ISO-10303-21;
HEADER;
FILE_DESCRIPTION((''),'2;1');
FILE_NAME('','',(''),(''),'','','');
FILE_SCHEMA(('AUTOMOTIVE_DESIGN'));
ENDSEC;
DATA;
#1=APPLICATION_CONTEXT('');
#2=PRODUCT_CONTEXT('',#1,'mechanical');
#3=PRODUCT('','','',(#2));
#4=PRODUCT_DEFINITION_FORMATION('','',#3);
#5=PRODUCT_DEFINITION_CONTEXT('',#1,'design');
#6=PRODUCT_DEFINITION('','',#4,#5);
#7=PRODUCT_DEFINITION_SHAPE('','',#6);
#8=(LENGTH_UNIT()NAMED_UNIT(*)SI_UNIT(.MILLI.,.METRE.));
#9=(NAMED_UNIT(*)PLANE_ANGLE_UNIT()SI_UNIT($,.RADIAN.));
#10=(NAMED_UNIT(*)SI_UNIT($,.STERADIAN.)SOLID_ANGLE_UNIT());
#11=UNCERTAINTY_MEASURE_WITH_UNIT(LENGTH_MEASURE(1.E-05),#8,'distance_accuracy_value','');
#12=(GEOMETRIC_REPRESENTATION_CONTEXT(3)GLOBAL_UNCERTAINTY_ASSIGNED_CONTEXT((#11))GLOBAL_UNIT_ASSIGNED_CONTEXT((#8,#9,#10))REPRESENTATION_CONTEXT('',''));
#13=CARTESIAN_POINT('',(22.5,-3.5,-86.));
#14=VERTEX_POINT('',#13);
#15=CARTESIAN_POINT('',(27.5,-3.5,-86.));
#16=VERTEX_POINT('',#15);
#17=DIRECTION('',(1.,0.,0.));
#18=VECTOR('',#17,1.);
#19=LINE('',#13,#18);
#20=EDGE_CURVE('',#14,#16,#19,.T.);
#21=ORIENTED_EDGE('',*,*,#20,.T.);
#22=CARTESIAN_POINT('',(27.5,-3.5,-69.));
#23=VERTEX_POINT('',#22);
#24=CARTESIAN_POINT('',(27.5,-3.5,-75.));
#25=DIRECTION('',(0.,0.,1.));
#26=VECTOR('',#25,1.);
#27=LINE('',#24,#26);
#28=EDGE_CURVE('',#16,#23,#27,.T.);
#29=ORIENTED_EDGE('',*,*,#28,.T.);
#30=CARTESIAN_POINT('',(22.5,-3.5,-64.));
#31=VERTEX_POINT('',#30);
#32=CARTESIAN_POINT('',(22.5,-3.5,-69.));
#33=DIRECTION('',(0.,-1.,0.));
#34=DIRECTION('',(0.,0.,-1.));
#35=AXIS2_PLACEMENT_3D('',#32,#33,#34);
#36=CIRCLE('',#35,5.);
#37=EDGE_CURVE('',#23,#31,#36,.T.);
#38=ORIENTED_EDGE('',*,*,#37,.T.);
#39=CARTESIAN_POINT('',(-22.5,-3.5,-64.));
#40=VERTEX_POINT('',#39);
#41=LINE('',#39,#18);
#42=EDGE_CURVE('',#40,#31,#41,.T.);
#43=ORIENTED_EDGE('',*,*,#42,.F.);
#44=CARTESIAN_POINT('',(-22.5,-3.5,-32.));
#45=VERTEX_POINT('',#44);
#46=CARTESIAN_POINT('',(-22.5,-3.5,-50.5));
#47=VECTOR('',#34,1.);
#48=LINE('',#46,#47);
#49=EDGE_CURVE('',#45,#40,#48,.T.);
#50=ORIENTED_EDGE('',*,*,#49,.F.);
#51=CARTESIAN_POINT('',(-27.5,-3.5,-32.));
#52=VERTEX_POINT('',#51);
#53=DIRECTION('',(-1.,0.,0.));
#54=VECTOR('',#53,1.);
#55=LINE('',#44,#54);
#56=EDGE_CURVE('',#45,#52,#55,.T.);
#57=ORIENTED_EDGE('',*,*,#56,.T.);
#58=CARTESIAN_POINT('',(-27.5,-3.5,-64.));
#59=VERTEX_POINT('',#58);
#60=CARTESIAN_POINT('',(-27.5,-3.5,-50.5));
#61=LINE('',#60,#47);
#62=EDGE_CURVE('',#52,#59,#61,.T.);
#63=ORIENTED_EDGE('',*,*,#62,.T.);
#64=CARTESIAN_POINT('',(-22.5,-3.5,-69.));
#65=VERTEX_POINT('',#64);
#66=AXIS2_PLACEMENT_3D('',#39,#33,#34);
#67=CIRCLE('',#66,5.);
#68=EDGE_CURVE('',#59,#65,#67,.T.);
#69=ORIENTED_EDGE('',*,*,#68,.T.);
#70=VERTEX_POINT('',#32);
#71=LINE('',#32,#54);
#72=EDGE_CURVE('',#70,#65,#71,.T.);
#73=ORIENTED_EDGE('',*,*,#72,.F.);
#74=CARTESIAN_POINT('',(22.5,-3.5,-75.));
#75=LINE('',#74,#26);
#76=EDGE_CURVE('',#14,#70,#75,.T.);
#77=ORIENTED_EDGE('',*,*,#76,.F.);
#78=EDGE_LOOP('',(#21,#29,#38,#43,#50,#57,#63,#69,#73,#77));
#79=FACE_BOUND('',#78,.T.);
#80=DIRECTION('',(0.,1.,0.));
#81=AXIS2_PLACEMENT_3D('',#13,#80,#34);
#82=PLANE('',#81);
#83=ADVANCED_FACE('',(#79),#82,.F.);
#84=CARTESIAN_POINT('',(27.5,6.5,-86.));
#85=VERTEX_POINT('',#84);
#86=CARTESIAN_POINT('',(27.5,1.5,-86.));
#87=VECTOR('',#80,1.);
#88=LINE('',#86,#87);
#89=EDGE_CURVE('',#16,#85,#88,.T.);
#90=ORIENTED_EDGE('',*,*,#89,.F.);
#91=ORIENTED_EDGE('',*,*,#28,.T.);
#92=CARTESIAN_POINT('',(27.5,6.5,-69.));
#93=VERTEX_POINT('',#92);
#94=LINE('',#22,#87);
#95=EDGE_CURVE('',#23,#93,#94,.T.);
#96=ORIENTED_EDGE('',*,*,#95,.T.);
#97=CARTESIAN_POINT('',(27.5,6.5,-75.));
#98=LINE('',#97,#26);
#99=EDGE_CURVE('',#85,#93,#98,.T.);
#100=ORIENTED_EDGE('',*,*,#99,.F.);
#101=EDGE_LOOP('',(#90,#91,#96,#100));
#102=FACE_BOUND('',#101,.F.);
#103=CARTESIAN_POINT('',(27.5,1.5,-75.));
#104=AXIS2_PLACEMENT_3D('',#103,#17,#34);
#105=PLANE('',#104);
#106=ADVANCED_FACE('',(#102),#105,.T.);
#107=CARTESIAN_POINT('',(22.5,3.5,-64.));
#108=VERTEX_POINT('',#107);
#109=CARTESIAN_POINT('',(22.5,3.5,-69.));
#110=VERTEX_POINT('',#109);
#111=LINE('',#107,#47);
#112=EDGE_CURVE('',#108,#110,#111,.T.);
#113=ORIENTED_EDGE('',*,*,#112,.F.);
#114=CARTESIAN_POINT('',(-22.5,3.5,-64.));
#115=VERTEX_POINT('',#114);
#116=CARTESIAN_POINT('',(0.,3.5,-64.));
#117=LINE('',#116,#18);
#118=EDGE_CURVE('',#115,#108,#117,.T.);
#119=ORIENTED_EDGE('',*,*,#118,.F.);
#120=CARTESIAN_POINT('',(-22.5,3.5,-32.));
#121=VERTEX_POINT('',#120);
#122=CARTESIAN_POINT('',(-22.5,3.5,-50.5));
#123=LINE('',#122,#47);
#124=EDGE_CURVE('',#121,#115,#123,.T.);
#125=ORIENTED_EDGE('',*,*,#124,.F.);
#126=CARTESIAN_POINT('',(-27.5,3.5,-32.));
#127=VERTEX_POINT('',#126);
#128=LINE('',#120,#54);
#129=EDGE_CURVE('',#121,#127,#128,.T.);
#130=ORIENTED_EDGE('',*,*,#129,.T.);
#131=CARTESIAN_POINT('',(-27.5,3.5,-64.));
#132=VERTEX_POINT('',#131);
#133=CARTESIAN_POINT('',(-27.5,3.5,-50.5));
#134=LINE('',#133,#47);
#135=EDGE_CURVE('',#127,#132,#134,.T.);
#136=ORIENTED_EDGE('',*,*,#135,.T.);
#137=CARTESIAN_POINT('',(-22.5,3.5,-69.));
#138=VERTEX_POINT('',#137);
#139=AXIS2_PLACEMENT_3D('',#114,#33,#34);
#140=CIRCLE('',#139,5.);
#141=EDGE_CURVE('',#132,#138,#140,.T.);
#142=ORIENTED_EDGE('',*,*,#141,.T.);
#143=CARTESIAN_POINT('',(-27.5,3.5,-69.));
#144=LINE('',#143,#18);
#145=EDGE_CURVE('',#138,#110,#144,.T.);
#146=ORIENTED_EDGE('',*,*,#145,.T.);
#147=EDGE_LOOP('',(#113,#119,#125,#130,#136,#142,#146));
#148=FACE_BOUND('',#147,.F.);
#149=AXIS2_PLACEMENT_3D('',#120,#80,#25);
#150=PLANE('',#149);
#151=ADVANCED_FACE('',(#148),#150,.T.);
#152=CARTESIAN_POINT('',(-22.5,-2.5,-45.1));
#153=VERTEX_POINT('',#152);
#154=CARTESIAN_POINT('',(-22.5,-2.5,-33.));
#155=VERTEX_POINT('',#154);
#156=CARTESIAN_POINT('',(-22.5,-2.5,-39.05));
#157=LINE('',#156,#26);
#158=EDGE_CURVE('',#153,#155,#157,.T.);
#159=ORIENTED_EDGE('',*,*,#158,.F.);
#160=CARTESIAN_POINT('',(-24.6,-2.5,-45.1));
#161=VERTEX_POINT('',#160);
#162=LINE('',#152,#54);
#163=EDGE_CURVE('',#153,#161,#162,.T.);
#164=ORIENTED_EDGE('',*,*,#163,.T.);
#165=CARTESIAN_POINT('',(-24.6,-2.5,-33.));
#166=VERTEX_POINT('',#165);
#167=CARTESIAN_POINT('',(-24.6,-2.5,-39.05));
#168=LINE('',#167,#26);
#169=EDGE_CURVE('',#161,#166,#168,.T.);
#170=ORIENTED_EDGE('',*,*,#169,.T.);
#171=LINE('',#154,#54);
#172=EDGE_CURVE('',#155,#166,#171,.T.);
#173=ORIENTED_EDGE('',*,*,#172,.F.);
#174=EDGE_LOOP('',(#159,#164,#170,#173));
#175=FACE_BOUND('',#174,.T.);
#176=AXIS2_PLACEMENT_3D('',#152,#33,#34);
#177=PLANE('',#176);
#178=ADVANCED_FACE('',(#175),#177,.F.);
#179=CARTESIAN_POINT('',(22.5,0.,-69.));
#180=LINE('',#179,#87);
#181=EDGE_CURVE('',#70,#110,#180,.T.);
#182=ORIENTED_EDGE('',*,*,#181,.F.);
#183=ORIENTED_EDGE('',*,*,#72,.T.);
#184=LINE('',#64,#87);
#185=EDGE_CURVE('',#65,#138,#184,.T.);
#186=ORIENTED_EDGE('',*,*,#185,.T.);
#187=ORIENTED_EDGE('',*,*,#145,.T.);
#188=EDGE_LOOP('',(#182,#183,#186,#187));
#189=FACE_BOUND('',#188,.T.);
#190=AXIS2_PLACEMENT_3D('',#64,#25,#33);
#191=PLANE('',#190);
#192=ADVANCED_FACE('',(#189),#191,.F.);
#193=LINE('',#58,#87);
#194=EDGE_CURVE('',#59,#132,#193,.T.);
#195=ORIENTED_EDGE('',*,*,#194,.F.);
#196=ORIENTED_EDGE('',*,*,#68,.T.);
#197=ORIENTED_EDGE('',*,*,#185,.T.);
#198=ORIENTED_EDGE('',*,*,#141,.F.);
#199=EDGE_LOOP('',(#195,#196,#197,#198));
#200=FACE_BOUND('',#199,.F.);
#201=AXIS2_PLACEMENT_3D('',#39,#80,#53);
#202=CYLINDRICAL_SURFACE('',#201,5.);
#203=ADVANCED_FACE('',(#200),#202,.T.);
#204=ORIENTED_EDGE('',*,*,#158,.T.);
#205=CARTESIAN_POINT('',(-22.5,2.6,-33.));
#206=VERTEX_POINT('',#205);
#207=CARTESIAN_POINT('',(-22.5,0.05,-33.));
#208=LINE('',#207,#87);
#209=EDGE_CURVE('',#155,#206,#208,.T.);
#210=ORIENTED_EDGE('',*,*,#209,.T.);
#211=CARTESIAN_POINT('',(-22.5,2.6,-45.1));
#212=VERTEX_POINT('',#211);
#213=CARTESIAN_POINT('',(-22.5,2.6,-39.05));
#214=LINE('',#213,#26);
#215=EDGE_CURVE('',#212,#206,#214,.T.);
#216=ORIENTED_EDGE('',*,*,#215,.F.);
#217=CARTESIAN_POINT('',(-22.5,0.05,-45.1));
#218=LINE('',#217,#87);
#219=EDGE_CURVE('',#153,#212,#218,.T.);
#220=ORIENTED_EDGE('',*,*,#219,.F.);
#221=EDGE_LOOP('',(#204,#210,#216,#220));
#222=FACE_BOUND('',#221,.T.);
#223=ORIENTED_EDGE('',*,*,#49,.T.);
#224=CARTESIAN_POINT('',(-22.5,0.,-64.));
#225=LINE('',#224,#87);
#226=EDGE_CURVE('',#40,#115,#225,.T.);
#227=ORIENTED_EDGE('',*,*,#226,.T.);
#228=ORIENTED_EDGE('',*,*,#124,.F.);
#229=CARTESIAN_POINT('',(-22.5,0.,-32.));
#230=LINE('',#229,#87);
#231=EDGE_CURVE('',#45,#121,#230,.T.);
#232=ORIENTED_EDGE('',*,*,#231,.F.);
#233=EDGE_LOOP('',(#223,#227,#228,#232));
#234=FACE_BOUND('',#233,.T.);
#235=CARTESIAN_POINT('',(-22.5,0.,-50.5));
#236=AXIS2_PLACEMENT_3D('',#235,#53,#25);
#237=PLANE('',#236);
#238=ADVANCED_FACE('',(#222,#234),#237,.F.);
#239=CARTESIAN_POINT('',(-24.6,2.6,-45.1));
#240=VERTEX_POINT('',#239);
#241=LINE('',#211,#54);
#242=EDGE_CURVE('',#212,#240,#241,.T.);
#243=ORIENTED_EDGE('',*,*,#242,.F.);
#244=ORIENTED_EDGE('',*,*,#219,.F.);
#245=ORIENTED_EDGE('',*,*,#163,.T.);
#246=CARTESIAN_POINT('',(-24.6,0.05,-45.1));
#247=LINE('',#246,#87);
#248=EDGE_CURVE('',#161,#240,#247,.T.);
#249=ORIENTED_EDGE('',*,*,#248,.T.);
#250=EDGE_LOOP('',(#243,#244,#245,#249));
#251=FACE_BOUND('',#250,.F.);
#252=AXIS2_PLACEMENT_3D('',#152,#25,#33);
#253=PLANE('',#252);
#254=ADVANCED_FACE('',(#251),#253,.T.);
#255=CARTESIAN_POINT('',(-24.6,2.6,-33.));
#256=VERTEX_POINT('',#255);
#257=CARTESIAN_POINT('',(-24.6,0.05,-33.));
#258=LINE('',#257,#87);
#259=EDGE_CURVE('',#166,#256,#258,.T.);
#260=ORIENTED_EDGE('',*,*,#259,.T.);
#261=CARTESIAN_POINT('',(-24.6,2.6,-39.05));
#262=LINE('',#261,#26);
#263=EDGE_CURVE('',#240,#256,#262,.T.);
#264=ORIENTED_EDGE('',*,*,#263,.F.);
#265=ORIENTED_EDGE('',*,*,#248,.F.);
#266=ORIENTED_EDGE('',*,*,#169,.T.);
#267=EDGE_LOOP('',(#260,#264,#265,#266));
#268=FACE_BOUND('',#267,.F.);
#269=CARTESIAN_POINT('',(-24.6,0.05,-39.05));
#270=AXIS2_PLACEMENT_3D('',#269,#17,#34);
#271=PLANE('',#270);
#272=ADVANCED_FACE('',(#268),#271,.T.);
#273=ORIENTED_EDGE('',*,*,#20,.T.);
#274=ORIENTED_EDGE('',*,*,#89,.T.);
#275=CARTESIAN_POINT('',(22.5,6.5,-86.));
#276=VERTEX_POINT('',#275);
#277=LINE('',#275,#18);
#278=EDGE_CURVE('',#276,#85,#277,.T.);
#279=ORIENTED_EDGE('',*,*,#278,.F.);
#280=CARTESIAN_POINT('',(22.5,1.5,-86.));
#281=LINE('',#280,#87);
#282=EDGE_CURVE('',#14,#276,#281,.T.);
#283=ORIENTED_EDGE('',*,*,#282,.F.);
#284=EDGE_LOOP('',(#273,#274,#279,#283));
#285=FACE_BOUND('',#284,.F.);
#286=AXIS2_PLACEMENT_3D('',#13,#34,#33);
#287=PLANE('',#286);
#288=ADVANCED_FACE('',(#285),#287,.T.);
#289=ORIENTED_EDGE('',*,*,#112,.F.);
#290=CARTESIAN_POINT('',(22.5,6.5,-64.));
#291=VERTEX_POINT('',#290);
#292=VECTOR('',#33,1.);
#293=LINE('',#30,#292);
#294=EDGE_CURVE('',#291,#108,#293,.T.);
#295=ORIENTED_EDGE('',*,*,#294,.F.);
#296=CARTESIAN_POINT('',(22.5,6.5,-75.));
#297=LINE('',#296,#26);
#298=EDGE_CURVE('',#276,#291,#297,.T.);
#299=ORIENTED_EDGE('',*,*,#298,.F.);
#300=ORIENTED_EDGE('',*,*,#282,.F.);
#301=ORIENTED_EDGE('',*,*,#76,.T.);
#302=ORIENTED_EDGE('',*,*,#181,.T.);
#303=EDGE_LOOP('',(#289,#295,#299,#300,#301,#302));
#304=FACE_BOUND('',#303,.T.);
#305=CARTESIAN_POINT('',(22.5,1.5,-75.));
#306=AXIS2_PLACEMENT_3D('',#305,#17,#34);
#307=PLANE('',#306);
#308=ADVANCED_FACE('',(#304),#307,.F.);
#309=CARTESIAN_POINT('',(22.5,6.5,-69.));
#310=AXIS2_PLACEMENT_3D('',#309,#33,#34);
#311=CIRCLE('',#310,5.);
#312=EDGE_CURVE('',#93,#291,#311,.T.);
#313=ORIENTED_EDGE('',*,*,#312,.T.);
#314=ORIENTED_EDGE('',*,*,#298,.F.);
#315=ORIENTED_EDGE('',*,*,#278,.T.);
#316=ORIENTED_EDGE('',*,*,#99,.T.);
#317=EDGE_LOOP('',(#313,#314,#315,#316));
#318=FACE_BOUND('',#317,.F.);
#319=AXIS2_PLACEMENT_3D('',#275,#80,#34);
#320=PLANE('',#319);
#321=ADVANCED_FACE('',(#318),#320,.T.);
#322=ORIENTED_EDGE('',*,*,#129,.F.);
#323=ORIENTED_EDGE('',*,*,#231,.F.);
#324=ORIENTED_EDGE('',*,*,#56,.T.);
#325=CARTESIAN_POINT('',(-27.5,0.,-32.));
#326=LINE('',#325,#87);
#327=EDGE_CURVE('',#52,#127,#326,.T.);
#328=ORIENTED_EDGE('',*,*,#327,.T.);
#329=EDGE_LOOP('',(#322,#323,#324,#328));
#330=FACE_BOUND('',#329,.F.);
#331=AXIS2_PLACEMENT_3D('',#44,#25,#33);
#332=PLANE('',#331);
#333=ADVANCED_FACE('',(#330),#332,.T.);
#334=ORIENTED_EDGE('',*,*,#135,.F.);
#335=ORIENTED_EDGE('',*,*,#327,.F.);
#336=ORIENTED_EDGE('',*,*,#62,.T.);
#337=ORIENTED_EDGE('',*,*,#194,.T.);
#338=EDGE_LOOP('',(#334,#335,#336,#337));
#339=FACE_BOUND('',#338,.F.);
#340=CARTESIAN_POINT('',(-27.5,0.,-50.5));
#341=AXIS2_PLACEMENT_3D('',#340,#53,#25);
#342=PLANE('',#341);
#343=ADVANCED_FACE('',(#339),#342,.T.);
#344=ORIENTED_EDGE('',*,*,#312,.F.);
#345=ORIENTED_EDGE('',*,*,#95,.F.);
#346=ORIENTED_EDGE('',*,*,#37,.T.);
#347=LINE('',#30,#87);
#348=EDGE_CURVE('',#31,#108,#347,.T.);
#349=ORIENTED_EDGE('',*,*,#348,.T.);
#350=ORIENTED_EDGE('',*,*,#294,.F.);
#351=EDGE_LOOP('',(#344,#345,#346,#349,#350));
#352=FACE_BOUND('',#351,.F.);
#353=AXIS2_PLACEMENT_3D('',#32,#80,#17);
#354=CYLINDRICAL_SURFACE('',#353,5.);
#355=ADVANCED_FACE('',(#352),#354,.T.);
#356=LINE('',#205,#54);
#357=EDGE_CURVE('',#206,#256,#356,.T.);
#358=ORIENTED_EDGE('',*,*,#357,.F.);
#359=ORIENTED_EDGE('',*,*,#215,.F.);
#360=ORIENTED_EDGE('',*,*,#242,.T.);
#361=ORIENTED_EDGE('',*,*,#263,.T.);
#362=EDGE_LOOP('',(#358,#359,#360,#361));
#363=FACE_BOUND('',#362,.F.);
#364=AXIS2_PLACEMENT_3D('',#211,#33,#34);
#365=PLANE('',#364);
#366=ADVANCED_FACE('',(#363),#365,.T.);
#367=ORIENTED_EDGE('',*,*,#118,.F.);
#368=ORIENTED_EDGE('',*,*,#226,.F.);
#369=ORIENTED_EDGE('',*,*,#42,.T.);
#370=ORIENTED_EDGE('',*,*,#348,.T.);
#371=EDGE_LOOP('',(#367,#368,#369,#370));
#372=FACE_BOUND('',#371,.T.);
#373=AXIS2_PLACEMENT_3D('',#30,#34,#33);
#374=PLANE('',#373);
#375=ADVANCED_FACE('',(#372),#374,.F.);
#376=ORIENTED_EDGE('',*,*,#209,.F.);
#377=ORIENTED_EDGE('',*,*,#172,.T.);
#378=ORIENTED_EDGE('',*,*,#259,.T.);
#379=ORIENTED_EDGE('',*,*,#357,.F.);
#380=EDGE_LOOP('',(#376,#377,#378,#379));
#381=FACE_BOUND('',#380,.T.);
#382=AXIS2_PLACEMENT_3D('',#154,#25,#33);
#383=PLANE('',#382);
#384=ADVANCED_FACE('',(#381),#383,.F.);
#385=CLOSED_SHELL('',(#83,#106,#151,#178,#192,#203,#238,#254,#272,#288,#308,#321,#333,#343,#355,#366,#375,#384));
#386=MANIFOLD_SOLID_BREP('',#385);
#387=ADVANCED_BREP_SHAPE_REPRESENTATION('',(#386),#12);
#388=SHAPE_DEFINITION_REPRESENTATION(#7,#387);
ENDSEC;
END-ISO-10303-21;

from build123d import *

# Parameters (mm, degrees)
SKETCH1_W           = 45
SKETCH1_H           = 7
BOSS_EXTRUDE1_DEPTH = 5
SKETCH2_W           = 37
SKETCH2_H           = 7
BOSS_EXTRUDE2_DEPTH = 5
FILLET1_R           = 5
SKETCH3_W           = 22
SKETCH3_H           = 10
BOSS_EXTRUDE3_DEPTH = 5
FILLET2_R           = 5
SKETCH4_W           = 12.1
SKETCH4_H           = 5.1
CUT_EXTRUDE1_DEPTH  = 2.1


with BuildPart() as part:
    # Sketch1 → Boss-Extrude1 (new body)
    with BuildSketch(Plane.XY):
        Rectangle(SKETCH1_W, SKETCH1_H)
    extrude(amount=BOSS_EXTRUDE1_DEPTH)

    # Sketch2 → Boss-Extrude2 (add)
    with BuildSketch(Plane.ZY.offset(22.5)):
        with Locations((-13.5, 0)):
            Rectangle(SKETCH2_W, SKETCH2_H)
    extrude(amount=BOSS_EXTRUDE2_DEPTH)

    # Fillet1
    fillet1_edges = [part.edges().sort_by_distance(p)[0] for p in [
        (-27.5, 0, 5),
    ]]
    fillet(fillet1_edges, radius=FILLET1_R)

    # Sketch3 → Boss-Extrude3 (add)
    with BuildSketch(Plane(origin=(22.5, 0, 0), x_dir=(0, 0, -1), z_dir=(1, 0, 0))):
        with Locations((-11, 1.5)):
            Rectangle(SKETCH3_W, SKETCH3_H)
    extrude(amount=BOSS_EXTRUDE3_DEPTH)

    # Fillet2
    fillet2_edges = [part.edges().sort_by_distance(p)[0] for p in [
        (27.5, 1.5, 0),
    ]]
    fillet(fillet2_edges, radius=FILLET2_R)

    # Sketch4 → Cut-Extrude1 (cut)
    with BuildSketch(Plane(origin=(-22.5, 0, 0), x_dir=(0, 0, -1), z_dir=(1, 0, 0))):
        with Locations((24.95, 0.05)):
            Rectangle(SKETCH4_W, SKETCH4_H)
    extrude(amount=-CUT_EXTRUDE1_DEPTH, mode=Mode.SUBTRACT)


with BuildPart() as body_2:
    # Mirror1: mirrored copy
    add(part.part.mirror(Plane(origin=(-27.5, 3.5, -32), x_dir=(1, 0, 0), z_dir=(0, 0, 1))))


solid = body_2.part
